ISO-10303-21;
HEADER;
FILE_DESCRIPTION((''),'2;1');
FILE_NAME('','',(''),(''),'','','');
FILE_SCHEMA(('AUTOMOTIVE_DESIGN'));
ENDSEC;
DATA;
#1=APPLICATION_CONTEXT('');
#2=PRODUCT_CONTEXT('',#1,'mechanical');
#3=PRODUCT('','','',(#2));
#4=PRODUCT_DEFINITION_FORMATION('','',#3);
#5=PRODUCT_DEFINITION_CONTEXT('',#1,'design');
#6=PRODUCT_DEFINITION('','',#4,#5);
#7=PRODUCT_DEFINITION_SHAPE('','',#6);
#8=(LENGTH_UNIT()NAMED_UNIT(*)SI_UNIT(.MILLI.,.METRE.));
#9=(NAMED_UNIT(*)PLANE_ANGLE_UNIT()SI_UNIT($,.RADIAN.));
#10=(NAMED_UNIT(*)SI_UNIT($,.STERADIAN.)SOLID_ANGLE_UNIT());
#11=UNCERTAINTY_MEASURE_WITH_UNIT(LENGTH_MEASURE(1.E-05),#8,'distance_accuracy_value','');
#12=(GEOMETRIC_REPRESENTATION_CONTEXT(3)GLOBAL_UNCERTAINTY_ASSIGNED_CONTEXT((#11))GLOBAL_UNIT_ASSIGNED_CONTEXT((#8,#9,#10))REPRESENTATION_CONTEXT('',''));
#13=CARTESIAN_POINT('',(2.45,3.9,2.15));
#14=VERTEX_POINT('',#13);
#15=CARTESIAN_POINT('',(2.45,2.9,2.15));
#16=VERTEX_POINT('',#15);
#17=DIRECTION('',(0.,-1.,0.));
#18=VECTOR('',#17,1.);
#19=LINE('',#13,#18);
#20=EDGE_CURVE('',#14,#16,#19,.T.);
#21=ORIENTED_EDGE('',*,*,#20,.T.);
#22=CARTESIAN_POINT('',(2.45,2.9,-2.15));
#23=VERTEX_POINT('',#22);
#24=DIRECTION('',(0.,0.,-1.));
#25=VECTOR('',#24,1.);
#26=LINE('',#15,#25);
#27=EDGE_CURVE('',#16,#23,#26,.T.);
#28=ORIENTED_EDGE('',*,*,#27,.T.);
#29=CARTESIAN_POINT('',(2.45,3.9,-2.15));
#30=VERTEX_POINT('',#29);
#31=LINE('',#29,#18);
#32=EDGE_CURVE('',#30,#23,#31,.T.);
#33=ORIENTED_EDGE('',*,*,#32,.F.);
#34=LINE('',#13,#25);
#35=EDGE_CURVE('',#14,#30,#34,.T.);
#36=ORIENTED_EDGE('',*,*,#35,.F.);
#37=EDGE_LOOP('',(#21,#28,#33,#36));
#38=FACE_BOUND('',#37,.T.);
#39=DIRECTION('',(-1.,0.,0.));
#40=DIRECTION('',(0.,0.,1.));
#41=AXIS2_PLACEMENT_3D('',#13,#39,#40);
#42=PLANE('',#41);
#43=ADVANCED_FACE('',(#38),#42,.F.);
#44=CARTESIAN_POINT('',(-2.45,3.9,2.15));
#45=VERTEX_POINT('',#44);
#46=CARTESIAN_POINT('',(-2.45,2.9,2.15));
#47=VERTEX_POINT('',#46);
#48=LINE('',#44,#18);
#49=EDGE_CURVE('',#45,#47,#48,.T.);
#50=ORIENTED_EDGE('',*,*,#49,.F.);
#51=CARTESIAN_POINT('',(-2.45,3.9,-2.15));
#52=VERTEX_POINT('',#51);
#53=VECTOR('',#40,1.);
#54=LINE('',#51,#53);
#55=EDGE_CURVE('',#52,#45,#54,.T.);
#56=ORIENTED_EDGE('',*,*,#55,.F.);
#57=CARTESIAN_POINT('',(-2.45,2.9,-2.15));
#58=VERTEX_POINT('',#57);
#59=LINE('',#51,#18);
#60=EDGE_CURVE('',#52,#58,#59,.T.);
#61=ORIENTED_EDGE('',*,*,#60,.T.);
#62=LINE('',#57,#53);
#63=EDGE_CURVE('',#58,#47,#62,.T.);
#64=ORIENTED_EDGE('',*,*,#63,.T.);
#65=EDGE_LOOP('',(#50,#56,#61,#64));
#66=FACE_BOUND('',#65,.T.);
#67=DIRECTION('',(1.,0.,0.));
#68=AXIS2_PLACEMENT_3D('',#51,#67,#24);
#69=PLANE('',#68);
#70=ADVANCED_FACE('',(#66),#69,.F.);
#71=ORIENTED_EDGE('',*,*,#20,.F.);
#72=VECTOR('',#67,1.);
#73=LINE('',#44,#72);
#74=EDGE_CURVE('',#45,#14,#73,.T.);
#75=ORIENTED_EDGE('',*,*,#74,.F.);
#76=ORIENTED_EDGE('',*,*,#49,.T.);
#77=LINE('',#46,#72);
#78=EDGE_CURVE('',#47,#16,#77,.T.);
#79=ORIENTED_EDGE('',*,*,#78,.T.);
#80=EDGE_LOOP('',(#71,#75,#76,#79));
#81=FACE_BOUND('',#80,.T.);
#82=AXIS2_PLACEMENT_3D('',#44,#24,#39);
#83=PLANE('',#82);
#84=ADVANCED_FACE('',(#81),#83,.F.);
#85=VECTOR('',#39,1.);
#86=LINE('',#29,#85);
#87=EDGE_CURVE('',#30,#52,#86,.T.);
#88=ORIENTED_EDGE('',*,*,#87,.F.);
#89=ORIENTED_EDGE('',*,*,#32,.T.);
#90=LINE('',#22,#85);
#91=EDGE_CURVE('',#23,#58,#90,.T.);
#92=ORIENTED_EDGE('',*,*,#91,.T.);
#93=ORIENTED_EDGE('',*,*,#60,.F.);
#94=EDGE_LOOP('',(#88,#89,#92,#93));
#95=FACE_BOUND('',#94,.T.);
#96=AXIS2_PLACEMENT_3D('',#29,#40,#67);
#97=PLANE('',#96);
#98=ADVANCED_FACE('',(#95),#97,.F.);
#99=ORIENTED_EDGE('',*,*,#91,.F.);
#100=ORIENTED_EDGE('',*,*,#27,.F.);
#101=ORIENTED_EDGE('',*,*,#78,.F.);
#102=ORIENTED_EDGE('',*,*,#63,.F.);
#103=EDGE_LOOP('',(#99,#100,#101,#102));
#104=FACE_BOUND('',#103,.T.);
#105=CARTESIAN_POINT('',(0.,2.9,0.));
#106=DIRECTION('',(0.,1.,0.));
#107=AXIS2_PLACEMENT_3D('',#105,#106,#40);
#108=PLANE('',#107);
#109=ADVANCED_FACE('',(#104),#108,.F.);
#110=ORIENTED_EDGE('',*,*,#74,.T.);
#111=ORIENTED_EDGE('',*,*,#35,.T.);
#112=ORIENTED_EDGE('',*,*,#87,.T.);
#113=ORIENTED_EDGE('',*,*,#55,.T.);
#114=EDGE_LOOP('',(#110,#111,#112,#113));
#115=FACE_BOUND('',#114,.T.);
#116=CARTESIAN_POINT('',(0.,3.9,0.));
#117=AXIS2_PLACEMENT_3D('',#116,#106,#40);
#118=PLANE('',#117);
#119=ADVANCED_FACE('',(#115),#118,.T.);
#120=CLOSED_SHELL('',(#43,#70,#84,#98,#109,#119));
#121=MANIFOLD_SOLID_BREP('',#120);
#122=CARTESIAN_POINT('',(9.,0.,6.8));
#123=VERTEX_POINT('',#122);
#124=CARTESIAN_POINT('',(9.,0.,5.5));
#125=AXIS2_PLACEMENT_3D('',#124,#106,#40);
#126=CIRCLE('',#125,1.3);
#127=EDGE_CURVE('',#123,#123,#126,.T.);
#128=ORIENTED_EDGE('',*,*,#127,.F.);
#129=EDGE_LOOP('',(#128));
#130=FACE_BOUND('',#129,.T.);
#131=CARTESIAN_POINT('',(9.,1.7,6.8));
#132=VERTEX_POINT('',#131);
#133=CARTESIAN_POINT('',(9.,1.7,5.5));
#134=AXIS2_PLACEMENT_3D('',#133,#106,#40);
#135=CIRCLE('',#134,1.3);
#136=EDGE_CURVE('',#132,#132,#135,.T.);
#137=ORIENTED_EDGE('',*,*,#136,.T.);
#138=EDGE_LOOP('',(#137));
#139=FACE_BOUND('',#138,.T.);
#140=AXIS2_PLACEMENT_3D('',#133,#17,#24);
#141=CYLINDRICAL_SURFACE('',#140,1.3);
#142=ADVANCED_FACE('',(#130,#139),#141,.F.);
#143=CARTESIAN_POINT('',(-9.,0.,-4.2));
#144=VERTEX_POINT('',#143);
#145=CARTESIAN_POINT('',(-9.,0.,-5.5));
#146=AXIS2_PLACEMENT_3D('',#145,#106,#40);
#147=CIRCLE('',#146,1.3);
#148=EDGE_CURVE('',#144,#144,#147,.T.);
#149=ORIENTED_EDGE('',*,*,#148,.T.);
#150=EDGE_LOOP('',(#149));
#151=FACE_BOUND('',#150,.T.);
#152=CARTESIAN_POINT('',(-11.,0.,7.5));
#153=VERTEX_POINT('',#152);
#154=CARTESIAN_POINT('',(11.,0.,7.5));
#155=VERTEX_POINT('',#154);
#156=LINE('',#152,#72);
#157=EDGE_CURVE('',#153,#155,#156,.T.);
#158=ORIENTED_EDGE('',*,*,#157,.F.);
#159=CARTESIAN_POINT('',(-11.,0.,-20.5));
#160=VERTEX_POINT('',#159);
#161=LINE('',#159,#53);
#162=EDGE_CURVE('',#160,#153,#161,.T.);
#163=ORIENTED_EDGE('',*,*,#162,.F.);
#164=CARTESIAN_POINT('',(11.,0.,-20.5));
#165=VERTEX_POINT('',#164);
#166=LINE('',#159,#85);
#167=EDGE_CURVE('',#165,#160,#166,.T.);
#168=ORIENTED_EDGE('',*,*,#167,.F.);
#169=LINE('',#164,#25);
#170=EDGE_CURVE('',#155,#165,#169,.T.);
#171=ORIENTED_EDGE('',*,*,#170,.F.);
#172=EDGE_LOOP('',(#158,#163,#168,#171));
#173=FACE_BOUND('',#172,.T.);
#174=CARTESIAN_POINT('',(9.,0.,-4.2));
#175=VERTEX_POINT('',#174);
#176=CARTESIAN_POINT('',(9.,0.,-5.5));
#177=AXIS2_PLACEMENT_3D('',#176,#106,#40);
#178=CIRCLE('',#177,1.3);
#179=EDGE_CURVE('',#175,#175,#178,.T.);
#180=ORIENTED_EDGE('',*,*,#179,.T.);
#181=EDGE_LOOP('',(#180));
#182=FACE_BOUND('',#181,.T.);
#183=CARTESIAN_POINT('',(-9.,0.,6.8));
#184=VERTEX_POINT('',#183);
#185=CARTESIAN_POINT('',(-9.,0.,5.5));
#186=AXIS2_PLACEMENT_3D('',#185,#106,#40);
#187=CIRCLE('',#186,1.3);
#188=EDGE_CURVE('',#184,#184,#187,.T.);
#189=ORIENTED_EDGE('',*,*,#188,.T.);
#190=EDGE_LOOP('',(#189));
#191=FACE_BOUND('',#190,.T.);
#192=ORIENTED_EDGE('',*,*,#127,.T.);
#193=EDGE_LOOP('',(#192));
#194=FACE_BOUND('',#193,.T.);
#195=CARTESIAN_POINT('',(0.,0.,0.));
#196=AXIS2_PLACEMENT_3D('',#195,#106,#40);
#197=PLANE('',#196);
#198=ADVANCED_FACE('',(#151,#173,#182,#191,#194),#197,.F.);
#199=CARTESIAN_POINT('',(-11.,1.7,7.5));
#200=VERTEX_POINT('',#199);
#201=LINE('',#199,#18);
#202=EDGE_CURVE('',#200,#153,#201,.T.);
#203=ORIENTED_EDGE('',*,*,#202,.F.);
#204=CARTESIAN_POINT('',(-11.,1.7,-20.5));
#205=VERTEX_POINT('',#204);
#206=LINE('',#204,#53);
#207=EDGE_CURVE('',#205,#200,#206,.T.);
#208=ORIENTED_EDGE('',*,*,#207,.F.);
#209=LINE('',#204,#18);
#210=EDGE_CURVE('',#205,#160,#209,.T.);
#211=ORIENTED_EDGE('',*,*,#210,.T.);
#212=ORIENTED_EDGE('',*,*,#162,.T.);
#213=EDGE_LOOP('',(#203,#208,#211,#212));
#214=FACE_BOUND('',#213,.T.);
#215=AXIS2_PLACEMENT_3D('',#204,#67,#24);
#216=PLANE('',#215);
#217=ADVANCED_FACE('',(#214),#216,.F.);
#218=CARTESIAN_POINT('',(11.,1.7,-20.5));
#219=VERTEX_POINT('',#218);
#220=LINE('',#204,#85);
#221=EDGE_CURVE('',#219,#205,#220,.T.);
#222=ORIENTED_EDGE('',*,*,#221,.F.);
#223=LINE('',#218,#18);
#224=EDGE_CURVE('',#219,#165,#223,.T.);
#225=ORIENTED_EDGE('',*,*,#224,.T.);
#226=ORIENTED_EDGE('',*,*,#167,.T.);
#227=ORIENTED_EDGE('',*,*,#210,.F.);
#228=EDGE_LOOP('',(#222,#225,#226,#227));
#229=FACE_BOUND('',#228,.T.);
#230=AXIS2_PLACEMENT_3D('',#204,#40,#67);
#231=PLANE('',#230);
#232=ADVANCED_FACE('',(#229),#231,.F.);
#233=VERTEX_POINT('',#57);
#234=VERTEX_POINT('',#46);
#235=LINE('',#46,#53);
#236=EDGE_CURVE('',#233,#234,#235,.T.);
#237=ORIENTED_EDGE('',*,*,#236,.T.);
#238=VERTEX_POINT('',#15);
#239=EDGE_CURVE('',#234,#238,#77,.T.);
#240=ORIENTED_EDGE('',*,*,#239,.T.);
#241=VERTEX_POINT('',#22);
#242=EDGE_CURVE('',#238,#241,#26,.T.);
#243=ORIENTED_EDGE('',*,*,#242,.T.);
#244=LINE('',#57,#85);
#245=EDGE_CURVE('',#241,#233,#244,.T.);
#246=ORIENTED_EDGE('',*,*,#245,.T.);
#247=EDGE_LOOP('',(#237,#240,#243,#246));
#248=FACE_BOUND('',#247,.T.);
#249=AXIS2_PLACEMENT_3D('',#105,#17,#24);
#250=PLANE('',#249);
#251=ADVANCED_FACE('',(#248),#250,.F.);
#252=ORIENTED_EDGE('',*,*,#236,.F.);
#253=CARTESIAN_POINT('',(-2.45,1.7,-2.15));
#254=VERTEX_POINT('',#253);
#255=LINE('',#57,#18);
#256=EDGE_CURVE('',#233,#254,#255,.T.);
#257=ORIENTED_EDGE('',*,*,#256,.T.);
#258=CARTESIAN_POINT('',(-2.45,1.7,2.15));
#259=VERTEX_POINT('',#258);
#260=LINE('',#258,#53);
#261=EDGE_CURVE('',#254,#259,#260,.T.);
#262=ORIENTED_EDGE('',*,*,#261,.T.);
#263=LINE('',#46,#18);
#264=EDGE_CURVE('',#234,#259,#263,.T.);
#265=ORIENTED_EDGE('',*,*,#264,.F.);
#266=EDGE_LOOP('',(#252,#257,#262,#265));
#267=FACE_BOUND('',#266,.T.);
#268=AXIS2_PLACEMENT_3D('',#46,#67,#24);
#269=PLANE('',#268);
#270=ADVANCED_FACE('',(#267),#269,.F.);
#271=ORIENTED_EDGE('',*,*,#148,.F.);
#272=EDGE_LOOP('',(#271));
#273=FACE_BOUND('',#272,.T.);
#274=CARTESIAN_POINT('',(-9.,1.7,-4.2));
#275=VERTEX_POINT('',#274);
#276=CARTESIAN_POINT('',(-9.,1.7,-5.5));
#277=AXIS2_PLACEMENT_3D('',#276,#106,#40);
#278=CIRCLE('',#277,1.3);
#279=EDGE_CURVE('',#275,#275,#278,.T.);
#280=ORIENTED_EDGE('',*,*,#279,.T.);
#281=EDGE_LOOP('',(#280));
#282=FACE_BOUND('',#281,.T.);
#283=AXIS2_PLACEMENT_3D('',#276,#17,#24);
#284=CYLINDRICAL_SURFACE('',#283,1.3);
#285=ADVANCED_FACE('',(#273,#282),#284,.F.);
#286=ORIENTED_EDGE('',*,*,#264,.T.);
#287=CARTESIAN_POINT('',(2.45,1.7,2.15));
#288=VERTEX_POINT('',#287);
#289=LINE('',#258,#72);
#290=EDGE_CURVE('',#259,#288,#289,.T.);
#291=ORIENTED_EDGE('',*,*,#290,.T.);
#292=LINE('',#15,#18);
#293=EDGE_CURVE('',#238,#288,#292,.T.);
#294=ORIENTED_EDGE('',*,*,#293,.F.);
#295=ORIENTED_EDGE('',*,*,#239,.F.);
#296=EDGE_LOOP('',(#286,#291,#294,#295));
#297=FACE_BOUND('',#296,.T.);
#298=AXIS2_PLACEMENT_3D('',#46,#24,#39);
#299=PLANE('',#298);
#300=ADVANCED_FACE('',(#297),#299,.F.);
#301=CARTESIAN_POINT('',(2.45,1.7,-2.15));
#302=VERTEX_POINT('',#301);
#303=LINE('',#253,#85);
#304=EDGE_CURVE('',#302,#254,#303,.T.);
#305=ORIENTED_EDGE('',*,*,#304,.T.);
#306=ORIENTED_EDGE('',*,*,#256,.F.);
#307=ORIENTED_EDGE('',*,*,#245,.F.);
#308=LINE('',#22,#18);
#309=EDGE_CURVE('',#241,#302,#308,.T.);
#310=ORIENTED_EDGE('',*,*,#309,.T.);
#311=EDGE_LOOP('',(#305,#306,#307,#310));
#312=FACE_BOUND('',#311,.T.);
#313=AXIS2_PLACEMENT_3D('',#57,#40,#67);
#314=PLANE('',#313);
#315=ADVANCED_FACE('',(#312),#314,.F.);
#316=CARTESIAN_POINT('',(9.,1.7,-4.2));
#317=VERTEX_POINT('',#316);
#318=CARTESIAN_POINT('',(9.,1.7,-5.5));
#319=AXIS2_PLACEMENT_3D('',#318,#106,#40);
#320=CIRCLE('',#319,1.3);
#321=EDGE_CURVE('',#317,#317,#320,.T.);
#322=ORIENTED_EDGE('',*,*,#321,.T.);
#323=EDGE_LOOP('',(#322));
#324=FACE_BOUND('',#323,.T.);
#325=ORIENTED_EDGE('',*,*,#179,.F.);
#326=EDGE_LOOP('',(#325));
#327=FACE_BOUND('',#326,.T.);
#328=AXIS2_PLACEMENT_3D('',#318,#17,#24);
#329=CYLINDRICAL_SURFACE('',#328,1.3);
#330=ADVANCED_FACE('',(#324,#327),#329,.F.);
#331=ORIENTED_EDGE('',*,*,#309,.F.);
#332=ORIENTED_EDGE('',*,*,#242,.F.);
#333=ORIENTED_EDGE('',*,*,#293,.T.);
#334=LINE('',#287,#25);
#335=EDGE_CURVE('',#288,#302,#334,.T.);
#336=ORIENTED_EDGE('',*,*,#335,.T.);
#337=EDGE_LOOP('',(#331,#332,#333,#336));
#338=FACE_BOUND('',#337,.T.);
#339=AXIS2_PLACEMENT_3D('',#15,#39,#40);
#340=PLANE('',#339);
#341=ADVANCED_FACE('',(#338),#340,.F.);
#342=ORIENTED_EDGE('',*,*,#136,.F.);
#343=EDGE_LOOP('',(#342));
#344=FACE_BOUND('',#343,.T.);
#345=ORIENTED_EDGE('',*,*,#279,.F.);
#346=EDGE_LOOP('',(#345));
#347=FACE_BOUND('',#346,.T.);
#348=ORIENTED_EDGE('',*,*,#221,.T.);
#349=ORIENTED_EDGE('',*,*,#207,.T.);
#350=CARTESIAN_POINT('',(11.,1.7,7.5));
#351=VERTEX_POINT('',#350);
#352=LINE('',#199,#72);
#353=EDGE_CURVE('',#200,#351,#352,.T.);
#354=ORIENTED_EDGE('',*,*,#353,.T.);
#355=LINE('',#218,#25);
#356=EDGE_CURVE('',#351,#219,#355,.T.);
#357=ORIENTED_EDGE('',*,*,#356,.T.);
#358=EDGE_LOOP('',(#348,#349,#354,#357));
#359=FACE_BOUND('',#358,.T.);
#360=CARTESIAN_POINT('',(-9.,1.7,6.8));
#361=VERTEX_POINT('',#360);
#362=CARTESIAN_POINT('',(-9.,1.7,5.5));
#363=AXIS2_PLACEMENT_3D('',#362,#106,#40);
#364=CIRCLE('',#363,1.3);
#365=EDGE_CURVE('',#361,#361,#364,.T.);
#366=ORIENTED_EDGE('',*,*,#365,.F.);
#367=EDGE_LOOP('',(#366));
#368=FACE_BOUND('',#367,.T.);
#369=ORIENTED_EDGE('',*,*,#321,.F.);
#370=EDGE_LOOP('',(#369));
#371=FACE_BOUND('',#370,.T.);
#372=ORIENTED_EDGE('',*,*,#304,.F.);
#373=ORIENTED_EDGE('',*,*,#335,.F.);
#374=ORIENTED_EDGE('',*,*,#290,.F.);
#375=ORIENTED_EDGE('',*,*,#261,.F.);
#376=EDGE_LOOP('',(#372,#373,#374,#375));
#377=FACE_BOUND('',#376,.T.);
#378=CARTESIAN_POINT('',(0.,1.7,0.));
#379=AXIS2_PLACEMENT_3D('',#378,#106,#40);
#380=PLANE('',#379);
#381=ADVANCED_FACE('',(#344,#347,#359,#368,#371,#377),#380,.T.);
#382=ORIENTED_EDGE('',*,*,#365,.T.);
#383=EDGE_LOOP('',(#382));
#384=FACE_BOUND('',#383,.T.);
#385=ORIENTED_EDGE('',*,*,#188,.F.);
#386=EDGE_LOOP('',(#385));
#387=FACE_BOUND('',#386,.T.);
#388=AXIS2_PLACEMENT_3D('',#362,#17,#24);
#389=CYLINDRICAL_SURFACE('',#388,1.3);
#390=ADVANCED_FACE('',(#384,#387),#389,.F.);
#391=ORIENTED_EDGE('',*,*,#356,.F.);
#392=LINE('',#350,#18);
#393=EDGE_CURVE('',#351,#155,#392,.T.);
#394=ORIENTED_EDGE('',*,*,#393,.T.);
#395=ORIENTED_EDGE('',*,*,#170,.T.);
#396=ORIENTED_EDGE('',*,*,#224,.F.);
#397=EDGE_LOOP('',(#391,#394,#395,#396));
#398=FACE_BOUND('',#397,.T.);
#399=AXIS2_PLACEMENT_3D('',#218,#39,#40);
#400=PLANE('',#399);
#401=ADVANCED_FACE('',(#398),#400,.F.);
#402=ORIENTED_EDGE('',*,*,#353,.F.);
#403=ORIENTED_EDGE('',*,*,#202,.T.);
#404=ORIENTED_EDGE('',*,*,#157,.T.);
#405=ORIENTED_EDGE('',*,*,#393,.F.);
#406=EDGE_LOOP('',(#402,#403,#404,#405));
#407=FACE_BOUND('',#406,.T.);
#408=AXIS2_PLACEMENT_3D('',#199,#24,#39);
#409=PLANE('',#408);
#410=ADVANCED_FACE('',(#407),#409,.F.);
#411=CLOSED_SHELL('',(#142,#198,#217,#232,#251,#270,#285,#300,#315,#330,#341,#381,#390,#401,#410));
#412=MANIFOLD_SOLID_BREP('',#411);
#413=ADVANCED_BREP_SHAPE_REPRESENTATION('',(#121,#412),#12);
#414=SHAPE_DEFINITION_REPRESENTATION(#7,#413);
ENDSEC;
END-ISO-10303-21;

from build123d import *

# Parameters (mm, degrees)
SKETCH1_W           = 22
SKETCH1_H           = 28
SKETCH1_R           = 1.3
BOSS_EXTRUDE1_DEPTH = 1.7
SKETCH2_W           = 4.9
SKETCH2_H           = 4.3
BOSS_EXTRUDE2_DEPTH = 1.2
SKETCH3_W           = 4.9
SKETCH3_H           = 4.3
BOSS_EXTRUDE3_DEPTH = 1


with BuildPart() as part:
    # Sketch1 → Boss-Extrude1 (new body)
    with BuildSketch(Plane(origin=(0, 0, 0), x_dir=(1, 0, 0), z_dir=(0, 1, 0))):
        with Locations((0, 6.5)):
            Rectangle(SKETCH1_W, SKETCH1_H)
        with Locations(Location((-9, -5.5, 0), (0, 0, 270))):
            Circle(SKETCH1_R, mode=Mode.SUBTRACT)
        with Locations(Location((9, -5.5, 0), (0, 0, 270))):
            Circle(SKETCH1_R, mode=Mode.SUBTRACT)
        with Locations(Location((9, 5.5, 0), (0, 0, 270))):
            Circle(SKETCH1_R, mode=Mode.SUBTRACT)
        with Locations(Location((-9, 5.5, 0), (0, 0, 270))):
            Circle(SKETCH1_R, mode=Mode.SUBTRACT)
    extrude(amount=BOSS_EXTRUDE1_DEPTH)

    # Sketch2 → Boss-Extrude2 (add)
    with BuildSketch(Plane(origin=(0, 1.7, 0), x_dir=(1, 0, 0), z_dir=(0, 1, 0))):
        Rectangle(SKETCH2_W, SKETCH2_H)
    extrude(amount=BOSS_EXTRUDE2_DEPTH)


with BuildPart() as body_2:
    # Sketch3 → Boss-Extrude3 (new body)
    with BuildSketch(Plane(origin=(0, 2.9, 0), x_dir=(1, 0, 0), z_dir=(0, 1, 0))):
        Rectangle(SKETCH3_W, SKETCH3_H)
    extrude(amount=BOSS_EXTRUDE3_DEPTH)


solid = Compound([part.part, body_2.part])
